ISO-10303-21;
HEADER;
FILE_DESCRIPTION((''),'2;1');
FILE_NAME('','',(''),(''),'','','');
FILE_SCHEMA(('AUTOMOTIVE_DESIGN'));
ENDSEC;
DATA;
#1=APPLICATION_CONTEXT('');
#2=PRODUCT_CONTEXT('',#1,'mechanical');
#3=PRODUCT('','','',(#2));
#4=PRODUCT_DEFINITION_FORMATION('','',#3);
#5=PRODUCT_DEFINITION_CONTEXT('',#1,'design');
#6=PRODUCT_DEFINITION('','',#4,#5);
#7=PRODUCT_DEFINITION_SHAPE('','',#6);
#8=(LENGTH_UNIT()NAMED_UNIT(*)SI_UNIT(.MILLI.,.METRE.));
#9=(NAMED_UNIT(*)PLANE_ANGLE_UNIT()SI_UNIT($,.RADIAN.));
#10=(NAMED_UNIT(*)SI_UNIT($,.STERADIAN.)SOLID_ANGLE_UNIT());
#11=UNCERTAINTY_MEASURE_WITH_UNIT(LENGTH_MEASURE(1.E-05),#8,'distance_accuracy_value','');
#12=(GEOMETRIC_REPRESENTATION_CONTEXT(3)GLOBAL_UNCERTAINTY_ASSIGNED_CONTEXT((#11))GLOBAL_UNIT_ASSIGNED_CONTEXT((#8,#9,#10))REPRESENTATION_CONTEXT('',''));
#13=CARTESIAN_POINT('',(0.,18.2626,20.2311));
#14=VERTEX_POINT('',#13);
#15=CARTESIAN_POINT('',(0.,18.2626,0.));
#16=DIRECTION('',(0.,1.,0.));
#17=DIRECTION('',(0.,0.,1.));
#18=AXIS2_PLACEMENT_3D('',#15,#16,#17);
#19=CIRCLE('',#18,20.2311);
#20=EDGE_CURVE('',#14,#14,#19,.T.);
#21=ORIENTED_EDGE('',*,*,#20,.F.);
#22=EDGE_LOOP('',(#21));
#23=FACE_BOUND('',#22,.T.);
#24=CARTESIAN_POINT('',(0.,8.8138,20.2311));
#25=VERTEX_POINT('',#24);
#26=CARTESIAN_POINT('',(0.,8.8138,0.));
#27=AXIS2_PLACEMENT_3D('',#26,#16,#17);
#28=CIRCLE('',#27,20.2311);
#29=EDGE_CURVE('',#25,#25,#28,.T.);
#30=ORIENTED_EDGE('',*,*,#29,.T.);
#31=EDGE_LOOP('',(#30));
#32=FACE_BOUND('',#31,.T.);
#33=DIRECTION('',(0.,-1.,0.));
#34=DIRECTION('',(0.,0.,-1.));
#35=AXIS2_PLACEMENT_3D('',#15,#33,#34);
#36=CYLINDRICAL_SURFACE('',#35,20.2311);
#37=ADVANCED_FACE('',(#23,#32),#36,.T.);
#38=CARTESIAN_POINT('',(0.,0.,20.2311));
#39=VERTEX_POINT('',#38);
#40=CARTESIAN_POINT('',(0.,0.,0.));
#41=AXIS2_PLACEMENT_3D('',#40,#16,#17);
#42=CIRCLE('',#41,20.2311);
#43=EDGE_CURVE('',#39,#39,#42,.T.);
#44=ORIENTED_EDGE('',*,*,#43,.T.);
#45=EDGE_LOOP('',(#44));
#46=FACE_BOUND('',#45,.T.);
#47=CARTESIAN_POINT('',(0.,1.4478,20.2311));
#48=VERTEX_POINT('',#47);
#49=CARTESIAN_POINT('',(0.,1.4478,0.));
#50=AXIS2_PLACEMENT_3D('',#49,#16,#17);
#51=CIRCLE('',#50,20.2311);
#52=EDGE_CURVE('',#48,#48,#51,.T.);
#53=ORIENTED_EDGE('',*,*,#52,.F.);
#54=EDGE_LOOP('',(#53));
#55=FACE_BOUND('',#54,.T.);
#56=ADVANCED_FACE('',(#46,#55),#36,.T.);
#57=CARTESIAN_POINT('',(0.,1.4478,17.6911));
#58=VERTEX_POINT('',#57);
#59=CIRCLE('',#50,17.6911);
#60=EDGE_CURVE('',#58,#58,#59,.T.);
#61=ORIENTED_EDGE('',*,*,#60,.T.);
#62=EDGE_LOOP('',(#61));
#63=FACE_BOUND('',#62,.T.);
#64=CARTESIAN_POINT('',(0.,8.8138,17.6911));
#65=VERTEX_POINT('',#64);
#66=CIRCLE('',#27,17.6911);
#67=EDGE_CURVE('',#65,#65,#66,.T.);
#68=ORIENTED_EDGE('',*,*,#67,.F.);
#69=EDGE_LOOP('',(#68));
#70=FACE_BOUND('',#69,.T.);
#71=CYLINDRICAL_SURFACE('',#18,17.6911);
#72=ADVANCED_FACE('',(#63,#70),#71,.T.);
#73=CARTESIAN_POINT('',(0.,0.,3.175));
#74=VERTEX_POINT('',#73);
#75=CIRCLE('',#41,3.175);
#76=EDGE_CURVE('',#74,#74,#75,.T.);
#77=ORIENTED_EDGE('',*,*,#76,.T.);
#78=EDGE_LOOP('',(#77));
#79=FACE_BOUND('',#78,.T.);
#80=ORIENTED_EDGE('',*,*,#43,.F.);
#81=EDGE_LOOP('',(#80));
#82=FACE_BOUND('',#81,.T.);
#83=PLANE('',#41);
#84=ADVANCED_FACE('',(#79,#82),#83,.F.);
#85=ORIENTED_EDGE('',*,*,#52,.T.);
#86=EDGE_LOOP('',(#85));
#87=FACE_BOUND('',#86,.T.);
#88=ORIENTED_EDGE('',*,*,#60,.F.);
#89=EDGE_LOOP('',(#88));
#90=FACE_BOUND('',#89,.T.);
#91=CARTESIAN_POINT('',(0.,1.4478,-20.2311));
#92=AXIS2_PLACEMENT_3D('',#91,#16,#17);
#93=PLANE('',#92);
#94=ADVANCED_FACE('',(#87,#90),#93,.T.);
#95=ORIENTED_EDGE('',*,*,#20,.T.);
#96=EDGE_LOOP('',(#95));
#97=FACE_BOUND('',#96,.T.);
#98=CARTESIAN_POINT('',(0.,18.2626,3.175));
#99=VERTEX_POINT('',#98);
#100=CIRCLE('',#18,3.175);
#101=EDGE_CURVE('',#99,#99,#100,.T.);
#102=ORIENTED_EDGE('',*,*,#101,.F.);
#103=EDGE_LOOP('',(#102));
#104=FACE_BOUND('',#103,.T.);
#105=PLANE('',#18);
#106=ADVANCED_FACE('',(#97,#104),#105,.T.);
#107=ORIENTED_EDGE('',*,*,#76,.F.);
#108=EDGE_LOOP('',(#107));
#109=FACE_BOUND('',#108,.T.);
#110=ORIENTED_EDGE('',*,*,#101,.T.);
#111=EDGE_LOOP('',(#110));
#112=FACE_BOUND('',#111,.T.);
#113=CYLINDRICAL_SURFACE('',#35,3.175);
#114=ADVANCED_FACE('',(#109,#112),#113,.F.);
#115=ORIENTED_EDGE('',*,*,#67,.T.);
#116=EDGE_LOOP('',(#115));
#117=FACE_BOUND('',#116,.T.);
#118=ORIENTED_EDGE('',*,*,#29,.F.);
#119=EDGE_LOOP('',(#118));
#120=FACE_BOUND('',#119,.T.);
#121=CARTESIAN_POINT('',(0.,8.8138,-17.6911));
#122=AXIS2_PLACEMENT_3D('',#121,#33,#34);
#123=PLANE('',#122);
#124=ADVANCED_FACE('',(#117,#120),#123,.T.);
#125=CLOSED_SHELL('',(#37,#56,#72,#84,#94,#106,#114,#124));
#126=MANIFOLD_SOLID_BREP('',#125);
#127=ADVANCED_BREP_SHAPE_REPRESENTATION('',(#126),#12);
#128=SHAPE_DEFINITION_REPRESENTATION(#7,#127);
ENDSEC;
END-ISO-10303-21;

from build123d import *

# Parameters (mm, degrees)
SKETCH1_R           = 20.2311
SKETCH1_R_2         = 3.175
BOSS_EXTRUDE1_DEPTH = 18.2626
SKETCH2_W           = 2.54
SKETCH2_H           = 7.366


with BuildPart() as part:
    # Sketch1 → Boss-Extrude1 (new body)
    with BuildSketch(Plane(origin=(0, 0, 0), x_dir=(1, 0, 0), z_dir=(0, 1, 0))):
        with Locations(Location((0, 0, 0), (0, 0, 270))):
            Circle(SKETCH1_R)
        with Locations(Location((0, 0, 0), (0, 0, 270))):
            Circle(SKETCH1_R_2, mode=Mode.SUBTRACT)
    extrude(amount=BOSS_EXTRUDE1_DEPTH)

    # Sketch2 → Cut-Revolve1 (revolve, cut)
    with BuildSketch(Plane(origin=(0, 0, 0), x_dir=(0, 0, -1), z_dir=(1, 0, 0)), mode=Mode.PRIVATE) as cut_revolve1_sk:
        with Locations((18.9611, 5.1308)):
            Rectangle(SKETCH2_W, SKETCH2_H)
    revolve(cut_revolve1_sk.sketch.rotate(Axis((0, 18.2626, 0), (0, -1, 0)), 180), axis=Axis((0, 18.2626, 0), (0, -1, 0)), mode=Mode.SUBTRACT)


solid = part.part
